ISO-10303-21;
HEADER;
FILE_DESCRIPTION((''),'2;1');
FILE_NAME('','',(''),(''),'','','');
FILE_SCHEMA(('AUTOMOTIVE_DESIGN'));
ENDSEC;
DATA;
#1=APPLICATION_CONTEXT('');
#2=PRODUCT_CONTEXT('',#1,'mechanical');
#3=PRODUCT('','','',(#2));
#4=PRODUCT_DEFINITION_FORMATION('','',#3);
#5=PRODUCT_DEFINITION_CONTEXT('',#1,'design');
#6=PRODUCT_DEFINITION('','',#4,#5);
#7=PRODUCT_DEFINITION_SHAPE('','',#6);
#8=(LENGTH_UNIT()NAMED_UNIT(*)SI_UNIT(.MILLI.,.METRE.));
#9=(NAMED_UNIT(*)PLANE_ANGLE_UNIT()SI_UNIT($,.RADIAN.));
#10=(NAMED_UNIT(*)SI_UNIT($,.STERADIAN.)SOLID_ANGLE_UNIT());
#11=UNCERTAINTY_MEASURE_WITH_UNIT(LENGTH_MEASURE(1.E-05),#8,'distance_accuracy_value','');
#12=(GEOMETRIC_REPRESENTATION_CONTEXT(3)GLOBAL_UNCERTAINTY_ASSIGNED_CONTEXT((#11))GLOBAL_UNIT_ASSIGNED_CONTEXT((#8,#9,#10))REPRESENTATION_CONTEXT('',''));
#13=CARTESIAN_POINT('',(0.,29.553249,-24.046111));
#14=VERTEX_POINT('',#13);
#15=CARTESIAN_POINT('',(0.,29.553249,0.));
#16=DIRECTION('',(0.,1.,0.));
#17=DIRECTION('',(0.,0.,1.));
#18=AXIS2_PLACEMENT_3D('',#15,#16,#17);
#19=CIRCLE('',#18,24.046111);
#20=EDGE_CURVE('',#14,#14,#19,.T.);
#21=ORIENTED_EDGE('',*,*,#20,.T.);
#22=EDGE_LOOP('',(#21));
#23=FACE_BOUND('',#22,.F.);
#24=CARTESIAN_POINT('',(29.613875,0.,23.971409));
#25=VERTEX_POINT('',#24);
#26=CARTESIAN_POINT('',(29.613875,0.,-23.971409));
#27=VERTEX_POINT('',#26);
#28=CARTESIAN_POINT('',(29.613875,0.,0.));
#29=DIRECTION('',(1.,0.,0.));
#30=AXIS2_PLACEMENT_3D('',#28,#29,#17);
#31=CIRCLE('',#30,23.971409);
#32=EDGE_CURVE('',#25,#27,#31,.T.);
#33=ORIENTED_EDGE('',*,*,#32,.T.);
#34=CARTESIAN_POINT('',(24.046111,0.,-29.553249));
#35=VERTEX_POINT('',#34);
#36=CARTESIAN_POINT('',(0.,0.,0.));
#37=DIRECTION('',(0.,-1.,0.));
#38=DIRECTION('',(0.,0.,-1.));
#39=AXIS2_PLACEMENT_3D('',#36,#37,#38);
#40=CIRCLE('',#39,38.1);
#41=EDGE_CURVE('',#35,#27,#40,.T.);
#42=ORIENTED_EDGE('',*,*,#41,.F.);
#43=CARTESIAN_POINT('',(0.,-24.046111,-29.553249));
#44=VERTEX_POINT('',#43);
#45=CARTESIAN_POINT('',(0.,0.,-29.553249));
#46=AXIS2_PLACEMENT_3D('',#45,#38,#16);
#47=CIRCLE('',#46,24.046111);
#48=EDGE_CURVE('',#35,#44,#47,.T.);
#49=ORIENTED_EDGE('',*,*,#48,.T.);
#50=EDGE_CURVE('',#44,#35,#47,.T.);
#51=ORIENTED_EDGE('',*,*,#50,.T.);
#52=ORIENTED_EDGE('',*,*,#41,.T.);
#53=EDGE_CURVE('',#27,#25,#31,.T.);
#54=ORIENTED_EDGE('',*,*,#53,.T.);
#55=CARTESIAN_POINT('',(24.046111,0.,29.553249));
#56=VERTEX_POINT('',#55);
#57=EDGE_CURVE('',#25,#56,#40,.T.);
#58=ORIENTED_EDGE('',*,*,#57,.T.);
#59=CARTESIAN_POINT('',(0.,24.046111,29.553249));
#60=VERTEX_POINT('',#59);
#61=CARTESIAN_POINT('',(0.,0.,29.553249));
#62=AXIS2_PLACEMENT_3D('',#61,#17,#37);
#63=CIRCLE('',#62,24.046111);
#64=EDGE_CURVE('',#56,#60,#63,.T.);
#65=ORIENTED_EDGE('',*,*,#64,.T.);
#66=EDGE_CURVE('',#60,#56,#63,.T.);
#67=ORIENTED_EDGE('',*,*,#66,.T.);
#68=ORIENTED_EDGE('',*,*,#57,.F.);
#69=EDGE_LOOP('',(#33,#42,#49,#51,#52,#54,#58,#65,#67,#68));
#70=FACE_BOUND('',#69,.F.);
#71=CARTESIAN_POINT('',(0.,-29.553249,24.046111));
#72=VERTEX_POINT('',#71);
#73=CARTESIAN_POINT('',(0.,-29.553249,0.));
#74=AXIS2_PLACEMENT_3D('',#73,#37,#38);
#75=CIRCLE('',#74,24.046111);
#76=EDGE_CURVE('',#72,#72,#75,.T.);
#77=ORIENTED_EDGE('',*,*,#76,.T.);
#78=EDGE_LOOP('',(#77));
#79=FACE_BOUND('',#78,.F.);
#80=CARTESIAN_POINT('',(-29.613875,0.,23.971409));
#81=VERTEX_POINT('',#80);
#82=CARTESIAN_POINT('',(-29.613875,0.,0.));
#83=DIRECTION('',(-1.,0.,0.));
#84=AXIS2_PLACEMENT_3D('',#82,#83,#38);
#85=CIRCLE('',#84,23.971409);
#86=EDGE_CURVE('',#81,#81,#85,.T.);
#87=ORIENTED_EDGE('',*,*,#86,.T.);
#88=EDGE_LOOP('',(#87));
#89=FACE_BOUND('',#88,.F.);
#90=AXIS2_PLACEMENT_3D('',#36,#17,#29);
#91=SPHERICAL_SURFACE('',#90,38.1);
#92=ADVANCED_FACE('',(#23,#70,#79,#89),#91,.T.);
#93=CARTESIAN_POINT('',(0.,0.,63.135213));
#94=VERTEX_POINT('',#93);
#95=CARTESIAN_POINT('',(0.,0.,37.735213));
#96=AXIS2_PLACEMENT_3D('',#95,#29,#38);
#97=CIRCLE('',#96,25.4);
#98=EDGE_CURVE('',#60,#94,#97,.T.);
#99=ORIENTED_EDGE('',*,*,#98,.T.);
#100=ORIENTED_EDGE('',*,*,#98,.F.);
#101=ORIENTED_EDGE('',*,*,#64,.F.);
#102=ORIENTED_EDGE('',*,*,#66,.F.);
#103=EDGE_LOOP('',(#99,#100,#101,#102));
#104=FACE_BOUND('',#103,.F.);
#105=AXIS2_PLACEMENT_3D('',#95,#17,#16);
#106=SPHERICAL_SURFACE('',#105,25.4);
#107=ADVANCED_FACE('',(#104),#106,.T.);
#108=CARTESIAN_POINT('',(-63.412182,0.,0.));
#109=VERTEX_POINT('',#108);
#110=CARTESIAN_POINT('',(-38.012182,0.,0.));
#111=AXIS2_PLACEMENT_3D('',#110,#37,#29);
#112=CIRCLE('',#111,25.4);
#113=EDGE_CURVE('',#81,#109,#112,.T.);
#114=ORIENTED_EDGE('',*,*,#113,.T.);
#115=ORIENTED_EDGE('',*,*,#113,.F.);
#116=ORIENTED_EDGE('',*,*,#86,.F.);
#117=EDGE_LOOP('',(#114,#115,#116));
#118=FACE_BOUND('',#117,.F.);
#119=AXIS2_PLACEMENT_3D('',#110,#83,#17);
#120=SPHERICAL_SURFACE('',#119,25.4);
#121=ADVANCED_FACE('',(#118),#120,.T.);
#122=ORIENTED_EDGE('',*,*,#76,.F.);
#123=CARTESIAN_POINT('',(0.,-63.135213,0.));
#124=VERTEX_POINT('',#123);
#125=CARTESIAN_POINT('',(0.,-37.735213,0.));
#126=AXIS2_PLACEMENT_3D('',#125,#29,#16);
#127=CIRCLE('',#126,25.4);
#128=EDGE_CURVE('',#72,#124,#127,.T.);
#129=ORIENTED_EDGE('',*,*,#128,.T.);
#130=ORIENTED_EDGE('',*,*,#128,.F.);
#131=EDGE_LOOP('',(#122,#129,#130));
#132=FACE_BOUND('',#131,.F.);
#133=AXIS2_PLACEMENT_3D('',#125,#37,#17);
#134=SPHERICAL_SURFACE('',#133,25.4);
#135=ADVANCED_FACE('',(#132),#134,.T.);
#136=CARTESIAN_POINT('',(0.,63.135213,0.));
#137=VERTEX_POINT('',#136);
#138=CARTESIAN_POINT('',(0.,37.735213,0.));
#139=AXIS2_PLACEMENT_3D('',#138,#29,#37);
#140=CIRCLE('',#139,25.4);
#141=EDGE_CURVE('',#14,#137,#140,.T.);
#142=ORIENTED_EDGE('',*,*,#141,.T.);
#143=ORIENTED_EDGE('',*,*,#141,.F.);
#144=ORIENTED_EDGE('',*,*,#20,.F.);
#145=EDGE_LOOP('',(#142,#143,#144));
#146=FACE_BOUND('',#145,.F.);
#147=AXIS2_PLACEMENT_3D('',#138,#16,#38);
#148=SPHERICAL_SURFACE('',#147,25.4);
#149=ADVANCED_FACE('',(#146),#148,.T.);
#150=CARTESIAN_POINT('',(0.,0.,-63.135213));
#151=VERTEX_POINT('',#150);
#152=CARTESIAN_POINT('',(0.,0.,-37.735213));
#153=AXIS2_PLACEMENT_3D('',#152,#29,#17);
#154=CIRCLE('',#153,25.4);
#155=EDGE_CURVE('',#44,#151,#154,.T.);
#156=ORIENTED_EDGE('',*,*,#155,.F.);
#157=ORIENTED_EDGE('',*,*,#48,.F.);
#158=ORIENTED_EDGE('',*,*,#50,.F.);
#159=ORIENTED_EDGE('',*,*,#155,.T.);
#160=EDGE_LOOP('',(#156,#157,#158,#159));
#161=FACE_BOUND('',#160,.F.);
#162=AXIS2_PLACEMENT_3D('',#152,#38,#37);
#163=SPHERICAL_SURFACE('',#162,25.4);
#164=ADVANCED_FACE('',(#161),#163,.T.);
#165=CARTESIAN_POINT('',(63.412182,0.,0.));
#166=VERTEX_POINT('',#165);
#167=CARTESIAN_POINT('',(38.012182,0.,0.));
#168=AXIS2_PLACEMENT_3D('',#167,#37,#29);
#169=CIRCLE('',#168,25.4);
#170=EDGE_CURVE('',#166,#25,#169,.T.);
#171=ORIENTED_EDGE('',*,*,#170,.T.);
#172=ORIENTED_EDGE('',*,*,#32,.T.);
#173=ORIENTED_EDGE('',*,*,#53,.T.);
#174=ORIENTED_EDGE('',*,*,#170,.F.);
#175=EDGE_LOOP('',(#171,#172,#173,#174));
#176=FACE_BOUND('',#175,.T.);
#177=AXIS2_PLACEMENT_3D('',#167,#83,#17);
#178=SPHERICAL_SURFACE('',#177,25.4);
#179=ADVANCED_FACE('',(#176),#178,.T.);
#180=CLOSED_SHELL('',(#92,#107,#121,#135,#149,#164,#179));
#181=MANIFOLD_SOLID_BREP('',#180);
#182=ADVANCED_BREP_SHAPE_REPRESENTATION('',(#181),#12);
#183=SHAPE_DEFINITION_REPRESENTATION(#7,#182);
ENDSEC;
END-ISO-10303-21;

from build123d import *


with BuildPart() as f1:
    # F0 (on Front) → F1 (revolve)
    with BuildSketch(Plane.XZ):
        with BuildLine():
            Line((0, 38.1), (0, -38.1))
            ThreePointArc((0, -38.1), (38.1, 0), (0, 38.1))
        make_face()
    revolve(axis=Axis((0, 0, 0), (0, 0, -1)))

    # F2 (on Right) → F3 (revolve)
    with BuildSketch(Plane.YZ):
        with BuildLine():
            Line((0, 63.135213), (0, 12.335213))
            ThreePointArc((0, 12.335213), (25.4, 37.735213), (0, 63.135213))
        make_face()
    revolve(axis=Axis((0, 0, 37.735213), (0, 0, -1)))

    # F2 (on Right) → F4 (revolve)
    with BuildSketch(Plane.YZ):
        with BuildLine():
            ThreePointArc((-12.335213, 0), (-37.735213, 25.4), (-63.135213, 0))
            Line((-63.135213, 0), (-12.335213, 0))
        make_face()
    revolve(axis=Axis((0, -37.735213, 0), (0, 1, 0)))

    # F2 (on Right) → F5 (revolve)
    with BuildSketch(Plane.YZ):
        with BuildLine():
            ThreePointArc((0, -12.335213), (-25.4, -37.735213), (0, -63.135213))
            Line((0, -63.135213), (0, -12.335213))
        make_face()
    revolve(axis=Axis((0, 0, -37.735213), (0, 0, 1)))

    # F2 (on Right) → F6 (revolve)
    with BuildSketch(Plane.YZ):
        with BuildLine():
            ThreePointArc((12.335213, 0), (37.735213, -25.4), (63.135213, 0))
            Line((63.135213, 0), (12.335213, 0))
        make_face()
    revolve(axis=Axis((0, 37.735213, 0), (0, -1, 0)))

    # F7 (on Front) → F8 (revolve)
    with BuildSketch(Plane.XZ):
        with BuildLine():
            Line((-63.412182, 0), (-12.612182, 0))
            ThreePointArc((-12.612182, 0), (-38.012182, 25.4), (-63.412182, 0))
        make_face()
    revolve(axis=Axis((-38.012182, 0, 0), (1, 0, 0)))

    # F7 (on Front) → F9 (revolve)
    with BuildSketch(Plane.XZ):
        with BuildLine():
            Line((12.612182, 0), (63.412182, 0))
            ThreePointArc((63.412182, 0), (38.012182, 25.4), (12.612182, 0))
        make_face()
    revolve(axis=Axis((38.012182, 0, 0), (-1, 0, 0)))


solid = f1.part
